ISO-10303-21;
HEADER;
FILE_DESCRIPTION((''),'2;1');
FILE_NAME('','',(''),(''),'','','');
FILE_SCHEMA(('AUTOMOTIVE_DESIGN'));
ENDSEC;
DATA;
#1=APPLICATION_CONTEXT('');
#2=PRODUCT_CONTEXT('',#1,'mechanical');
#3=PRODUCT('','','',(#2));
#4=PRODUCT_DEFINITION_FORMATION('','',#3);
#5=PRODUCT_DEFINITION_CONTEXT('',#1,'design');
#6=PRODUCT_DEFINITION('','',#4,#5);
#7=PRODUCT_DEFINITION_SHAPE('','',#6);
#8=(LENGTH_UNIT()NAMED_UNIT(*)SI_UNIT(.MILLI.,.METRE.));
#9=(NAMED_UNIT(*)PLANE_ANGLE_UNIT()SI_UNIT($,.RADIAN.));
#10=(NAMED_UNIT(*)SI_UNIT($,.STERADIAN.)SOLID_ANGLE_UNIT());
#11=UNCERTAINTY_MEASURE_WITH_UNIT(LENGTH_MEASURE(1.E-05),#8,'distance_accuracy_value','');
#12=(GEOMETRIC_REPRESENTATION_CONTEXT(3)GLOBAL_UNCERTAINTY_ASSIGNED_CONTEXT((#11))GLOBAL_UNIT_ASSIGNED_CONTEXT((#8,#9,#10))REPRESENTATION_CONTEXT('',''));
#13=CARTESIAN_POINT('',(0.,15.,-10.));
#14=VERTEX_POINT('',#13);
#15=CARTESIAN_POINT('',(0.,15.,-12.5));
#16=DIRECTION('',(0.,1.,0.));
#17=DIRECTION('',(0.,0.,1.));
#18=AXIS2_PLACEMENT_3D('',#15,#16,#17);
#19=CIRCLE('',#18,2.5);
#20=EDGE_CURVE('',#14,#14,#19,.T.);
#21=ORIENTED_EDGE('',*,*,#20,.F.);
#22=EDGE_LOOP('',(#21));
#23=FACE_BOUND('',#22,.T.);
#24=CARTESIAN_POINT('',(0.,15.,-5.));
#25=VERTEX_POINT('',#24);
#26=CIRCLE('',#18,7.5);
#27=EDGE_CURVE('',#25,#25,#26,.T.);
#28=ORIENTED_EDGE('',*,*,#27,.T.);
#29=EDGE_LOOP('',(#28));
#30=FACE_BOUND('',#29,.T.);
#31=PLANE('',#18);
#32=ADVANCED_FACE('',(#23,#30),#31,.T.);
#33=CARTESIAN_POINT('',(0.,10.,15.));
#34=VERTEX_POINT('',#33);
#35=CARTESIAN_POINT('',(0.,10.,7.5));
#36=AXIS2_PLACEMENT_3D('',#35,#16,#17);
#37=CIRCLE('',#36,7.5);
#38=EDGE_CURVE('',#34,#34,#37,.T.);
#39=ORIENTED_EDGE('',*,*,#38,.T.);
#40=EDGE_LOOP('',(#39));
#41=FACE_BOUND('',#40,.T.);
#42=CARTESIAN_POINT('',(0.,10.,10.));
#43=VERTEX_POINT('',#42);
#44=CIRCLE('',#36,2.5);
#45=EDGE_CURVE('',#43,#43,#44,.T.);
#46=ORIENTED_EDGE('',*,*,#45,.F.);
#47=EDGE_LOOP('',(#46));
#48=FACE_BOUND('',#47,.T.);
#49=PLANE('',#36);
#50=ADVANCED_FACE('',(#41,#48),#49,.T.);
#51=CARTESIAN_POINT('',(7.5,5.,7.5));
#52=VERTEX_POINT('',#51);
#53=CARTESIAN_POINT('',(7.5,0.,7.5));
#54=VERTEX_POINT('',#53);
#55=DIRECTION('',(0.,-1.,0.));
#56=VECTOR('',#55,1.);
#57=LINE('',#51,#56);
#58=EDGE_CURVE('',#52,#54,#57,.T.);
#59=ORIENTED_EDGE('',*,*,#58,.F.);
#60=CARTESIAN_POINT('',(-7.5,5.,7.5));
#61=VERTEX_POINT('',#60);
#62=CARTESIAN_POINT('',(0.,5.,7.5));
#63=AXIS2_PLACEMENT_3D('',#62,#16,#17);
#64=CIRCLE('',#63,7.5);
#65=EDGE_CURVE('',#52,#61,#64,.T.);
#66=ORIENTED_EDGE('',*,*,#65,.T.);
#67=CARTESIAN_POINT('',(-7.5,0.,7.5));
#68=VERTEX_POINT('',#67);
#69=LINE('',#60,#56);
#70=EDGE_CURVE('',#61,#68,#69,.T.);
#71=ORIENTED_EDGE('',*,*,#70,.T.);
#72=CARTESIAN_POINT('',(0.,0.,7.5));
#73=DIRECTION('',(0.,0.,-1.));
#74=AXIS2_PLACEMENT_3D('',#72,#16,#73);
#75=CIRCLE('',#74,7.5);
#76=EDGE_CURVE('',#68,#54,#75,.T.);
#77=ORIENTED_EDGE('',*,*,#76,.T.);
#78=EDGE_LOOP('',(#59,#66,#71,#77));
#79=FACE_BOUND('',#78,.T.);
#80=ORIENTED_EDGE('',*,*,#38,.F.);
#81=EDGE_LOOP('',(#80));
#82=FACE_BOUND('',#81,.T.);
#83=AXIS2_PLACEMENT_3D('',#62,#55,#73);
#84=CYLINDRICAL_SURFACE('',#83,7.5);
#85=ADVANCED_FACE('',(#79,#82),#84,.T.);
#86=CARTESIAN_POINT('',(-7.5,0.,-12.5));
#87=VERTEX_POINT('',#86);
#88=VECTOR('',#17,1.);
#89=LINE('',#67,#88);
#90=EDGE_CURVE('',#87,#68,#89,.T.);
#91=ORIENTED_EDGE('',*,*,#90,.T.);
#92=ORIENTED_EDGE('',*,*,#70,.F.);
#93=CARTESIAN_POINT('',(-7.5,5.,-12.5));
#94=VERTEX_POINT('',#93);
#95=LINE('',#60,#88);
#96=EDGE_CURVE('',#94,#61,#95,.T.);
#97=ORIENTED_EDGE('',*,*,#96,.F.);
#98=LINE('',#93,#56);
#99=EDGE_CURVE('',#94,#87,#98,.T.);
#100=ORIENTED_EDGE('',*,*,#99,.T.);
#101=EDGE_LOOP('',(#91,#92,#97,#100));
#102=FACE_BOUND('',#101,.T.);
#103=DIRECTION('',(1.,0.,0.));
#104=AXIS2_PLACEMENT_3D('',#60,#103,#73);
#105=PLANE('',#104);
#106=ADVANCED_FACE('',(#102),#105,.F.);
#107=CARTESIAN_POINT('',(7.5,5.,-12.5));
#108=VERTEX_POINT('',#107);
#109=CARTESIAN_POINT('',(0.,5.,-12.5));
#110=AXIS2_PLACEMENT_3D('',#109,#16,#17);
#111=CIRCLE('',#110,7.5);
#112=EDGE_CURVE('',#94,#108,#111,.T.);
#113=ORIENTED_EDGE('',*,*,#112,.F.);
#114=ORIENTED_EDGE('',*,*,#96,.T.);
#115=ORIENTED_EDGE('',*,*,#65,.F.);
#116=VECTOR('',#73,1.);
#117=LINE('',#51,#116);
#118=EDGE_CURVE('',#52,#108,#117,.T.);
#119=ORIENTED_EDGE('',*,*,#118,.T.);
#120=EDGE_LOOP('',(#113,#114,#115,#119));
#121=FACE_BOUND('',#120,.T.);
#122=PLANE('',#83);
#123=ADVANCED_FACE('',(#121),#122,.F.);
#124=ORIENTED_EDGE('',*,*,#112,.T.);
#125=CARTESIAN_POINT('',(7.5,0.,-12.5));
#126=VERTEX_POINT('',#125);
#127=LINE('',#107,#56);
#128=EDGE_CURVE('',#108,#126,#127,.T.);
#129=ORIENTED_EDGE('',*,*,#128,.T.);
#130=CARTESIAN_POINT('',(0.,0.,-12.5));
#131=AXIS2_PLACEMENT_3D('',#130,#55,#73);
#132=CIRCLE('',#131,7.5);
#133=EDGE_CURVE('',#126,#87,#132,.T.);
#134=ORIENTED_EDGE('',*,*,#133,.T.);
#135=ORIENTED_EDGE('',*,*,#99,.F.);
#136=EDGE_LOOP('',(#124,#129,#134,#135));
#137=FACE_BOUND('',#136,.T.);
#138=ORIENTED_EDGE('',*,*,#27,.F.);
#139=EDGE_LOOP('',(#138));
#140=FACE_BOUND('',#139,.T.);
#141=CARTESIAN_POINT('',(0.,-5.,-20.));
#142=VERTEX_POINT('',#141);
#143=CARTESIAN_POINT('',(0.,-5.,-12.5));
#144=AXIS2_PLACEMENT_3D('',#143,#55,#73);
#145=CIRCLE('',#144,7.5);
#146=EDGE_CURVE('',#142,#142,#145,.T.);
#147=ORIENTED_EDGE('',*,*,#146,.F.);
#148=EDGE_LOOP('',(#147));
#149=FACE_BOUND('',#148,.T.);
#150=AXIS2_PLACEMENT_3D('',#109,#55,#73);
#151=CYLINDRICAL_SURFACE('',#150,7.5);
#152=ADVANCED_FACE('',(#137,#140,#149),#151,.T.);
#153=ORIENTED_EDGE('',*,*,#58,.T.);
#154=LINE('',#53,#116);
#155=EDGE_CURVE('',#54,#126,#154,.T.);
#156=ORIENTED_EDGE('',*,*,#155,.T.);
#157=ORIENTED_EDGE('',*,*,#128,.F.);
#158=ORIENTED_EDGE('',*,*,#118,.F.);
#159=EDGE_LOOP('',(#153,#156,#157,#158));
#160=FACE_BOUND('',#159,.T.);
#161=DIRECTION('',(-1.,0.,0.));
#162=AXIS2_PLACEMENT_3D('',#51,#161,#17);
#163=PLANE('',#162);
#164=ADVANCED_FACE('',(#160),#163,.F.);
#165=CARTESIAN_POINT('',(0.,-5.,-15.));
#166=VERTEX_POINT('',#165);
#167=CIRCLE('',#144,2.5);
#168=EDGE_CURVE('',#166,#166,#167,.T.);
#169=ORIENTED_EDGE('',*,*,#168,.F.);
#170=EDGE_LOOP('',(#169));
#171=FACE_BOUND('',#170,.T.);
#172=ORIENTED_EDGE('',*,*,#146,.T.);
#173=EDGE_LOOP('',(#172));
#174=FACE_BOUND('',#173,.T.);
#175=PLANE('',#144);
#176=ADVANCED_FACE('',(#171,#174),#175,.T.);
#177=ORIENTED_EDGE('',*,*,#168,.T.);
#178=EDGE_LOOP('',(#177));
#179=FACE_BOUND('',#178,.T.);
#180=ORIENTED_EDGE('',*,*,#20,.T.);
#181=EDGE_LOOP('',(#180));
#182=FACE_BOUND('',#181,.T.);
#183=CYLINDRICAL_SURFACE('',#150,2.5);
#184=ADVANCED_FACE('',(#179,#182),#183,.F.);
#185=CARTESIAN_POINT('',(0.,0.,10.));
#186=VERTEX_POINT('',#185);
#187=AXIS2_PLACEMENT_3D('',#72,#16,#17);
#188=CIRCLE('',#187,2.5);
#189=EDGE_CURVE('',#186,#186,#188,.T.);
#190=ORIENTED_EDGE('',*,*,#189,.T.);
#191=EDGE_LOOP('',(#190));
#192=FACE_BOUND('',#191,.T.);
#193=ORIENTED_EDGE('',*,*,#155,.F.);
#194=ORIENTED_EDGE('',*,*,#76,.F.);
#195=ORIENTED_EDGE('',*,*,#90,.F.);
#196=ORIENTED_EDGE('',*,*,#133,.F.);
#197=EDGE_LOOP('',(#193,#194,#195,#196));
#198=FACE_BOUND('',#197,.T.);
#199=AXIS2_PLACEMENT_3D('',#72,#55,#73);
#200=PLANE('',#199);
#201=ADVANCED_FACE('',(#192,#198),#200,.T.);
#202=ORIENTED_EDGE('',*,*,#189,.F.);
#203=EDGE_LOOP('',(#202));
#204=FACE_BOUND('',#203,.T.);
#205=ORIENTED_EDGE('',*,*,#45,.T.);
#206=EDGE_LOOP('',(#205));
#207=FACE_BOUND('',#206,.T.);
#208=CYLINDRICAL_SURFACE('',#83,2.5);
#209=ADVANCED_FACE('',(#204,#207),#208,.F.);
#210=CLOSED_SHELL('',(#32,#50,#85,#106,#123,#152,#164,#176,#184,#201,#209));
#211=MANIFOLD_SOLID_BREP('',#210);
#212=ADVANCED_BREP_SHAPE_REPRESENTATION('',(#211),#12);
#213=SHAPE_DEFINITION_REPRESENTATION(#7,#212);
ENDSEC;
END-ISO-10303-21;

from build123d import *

# Parameters (mm, degrees)
CROQUIS3_R              = 2.5
SALIENTE_EXTRUIR1_DEPTH = 5
CROQUIS4_R              = 7.5
CROQUIS4_R_2            = 2.5
SALIENTE_EXTRUIR2_DEPTH = 5
CROQUIS5_R              = 7.5
CROQUIS5_R_2            = 2.5
SALIENTE_EXTRUIR3_DEPTH = 10
CROQUIS7_R              = 7.5
CROQUIS7_R_2            = 2.5
SALIENTE_EXTRUIR4_DEPTH = 5


with BuildPart() as part:
    # Croquis3 → Saliente-Extruir1 (new body)
    with BuildSketch(Plane(origin=(0, 0, 0), x_dir=(1, 0, 0), z_dir=(0, 1, 0))):
        with BuildLine():
            Line((-7.5, -7.5), (-7.5, 12.5))
            ThreePointArc((-7.5, 12.5), (0, 20), (7.5, 12.5))
            Line((7.5, 12.5), (7.5, -7.5))
            ThreePointArc((7.5, -7.5), (0, -15), (-7.5, -7.5))
        make_face()
        with Locations((0, 12.5)):
            Circle(CROQUIS3_R, mode=Mode.SUBTRACT)
        with Locations((0, -7.5)):
            Circle(CROQUIS3_R, mode=Mode.SUBTRACT)
    extrude(amount=SALIENTE_EXTRUIR1_DEPTH)

    # Croquis4 → Saliente-Extruir2 (add)
    with BuildSketch(Plane(origin=(0, 5, 0), x_dir=(1, 0, 0), z_dir=(0, 1, 0))):
        with Locations((0, -7.5)):
            Circle(CROQUIS4_R)
        with Locations((0, -7.5)):
            Circle(CROQUIS4_R_2, mode=Mode.SUBTRACT)
    extrude(amount=SALIENTE_EXTRUIR2_DEPTH)

    # Croquis5 → Saliente-Extruir3 (add)
    with BuildSketch(Plane(origin=(0, 5, 0), x_dir=(1, 0, 0), z_dir=(0, 1, 0))):
        with Locations((0, 12.5)):
            Circle(CROQUIS5_R)
        with Locations((0, 12.5)):
            Circle(CROQUIS5_R_2, mode=Mode.SUBTRACT)
    extrude(amount=SALIENTE_EXTRUIR3_DEPTH)

    # Croquis7 → Saliente-Extruir4 (add)
    with BuildSketch(Plane.XZ):
        with Locations((0, -12.5)):
            Circle(CROQUIS7_R)
        with Locations((0, -12.5)):
            Circle(CROQUIS7_R_2, mode=Mode.SUBTRACT)
    extrude(amount=SALIENTE_EXTRUIR4_DEPTH)


solid = part.part
